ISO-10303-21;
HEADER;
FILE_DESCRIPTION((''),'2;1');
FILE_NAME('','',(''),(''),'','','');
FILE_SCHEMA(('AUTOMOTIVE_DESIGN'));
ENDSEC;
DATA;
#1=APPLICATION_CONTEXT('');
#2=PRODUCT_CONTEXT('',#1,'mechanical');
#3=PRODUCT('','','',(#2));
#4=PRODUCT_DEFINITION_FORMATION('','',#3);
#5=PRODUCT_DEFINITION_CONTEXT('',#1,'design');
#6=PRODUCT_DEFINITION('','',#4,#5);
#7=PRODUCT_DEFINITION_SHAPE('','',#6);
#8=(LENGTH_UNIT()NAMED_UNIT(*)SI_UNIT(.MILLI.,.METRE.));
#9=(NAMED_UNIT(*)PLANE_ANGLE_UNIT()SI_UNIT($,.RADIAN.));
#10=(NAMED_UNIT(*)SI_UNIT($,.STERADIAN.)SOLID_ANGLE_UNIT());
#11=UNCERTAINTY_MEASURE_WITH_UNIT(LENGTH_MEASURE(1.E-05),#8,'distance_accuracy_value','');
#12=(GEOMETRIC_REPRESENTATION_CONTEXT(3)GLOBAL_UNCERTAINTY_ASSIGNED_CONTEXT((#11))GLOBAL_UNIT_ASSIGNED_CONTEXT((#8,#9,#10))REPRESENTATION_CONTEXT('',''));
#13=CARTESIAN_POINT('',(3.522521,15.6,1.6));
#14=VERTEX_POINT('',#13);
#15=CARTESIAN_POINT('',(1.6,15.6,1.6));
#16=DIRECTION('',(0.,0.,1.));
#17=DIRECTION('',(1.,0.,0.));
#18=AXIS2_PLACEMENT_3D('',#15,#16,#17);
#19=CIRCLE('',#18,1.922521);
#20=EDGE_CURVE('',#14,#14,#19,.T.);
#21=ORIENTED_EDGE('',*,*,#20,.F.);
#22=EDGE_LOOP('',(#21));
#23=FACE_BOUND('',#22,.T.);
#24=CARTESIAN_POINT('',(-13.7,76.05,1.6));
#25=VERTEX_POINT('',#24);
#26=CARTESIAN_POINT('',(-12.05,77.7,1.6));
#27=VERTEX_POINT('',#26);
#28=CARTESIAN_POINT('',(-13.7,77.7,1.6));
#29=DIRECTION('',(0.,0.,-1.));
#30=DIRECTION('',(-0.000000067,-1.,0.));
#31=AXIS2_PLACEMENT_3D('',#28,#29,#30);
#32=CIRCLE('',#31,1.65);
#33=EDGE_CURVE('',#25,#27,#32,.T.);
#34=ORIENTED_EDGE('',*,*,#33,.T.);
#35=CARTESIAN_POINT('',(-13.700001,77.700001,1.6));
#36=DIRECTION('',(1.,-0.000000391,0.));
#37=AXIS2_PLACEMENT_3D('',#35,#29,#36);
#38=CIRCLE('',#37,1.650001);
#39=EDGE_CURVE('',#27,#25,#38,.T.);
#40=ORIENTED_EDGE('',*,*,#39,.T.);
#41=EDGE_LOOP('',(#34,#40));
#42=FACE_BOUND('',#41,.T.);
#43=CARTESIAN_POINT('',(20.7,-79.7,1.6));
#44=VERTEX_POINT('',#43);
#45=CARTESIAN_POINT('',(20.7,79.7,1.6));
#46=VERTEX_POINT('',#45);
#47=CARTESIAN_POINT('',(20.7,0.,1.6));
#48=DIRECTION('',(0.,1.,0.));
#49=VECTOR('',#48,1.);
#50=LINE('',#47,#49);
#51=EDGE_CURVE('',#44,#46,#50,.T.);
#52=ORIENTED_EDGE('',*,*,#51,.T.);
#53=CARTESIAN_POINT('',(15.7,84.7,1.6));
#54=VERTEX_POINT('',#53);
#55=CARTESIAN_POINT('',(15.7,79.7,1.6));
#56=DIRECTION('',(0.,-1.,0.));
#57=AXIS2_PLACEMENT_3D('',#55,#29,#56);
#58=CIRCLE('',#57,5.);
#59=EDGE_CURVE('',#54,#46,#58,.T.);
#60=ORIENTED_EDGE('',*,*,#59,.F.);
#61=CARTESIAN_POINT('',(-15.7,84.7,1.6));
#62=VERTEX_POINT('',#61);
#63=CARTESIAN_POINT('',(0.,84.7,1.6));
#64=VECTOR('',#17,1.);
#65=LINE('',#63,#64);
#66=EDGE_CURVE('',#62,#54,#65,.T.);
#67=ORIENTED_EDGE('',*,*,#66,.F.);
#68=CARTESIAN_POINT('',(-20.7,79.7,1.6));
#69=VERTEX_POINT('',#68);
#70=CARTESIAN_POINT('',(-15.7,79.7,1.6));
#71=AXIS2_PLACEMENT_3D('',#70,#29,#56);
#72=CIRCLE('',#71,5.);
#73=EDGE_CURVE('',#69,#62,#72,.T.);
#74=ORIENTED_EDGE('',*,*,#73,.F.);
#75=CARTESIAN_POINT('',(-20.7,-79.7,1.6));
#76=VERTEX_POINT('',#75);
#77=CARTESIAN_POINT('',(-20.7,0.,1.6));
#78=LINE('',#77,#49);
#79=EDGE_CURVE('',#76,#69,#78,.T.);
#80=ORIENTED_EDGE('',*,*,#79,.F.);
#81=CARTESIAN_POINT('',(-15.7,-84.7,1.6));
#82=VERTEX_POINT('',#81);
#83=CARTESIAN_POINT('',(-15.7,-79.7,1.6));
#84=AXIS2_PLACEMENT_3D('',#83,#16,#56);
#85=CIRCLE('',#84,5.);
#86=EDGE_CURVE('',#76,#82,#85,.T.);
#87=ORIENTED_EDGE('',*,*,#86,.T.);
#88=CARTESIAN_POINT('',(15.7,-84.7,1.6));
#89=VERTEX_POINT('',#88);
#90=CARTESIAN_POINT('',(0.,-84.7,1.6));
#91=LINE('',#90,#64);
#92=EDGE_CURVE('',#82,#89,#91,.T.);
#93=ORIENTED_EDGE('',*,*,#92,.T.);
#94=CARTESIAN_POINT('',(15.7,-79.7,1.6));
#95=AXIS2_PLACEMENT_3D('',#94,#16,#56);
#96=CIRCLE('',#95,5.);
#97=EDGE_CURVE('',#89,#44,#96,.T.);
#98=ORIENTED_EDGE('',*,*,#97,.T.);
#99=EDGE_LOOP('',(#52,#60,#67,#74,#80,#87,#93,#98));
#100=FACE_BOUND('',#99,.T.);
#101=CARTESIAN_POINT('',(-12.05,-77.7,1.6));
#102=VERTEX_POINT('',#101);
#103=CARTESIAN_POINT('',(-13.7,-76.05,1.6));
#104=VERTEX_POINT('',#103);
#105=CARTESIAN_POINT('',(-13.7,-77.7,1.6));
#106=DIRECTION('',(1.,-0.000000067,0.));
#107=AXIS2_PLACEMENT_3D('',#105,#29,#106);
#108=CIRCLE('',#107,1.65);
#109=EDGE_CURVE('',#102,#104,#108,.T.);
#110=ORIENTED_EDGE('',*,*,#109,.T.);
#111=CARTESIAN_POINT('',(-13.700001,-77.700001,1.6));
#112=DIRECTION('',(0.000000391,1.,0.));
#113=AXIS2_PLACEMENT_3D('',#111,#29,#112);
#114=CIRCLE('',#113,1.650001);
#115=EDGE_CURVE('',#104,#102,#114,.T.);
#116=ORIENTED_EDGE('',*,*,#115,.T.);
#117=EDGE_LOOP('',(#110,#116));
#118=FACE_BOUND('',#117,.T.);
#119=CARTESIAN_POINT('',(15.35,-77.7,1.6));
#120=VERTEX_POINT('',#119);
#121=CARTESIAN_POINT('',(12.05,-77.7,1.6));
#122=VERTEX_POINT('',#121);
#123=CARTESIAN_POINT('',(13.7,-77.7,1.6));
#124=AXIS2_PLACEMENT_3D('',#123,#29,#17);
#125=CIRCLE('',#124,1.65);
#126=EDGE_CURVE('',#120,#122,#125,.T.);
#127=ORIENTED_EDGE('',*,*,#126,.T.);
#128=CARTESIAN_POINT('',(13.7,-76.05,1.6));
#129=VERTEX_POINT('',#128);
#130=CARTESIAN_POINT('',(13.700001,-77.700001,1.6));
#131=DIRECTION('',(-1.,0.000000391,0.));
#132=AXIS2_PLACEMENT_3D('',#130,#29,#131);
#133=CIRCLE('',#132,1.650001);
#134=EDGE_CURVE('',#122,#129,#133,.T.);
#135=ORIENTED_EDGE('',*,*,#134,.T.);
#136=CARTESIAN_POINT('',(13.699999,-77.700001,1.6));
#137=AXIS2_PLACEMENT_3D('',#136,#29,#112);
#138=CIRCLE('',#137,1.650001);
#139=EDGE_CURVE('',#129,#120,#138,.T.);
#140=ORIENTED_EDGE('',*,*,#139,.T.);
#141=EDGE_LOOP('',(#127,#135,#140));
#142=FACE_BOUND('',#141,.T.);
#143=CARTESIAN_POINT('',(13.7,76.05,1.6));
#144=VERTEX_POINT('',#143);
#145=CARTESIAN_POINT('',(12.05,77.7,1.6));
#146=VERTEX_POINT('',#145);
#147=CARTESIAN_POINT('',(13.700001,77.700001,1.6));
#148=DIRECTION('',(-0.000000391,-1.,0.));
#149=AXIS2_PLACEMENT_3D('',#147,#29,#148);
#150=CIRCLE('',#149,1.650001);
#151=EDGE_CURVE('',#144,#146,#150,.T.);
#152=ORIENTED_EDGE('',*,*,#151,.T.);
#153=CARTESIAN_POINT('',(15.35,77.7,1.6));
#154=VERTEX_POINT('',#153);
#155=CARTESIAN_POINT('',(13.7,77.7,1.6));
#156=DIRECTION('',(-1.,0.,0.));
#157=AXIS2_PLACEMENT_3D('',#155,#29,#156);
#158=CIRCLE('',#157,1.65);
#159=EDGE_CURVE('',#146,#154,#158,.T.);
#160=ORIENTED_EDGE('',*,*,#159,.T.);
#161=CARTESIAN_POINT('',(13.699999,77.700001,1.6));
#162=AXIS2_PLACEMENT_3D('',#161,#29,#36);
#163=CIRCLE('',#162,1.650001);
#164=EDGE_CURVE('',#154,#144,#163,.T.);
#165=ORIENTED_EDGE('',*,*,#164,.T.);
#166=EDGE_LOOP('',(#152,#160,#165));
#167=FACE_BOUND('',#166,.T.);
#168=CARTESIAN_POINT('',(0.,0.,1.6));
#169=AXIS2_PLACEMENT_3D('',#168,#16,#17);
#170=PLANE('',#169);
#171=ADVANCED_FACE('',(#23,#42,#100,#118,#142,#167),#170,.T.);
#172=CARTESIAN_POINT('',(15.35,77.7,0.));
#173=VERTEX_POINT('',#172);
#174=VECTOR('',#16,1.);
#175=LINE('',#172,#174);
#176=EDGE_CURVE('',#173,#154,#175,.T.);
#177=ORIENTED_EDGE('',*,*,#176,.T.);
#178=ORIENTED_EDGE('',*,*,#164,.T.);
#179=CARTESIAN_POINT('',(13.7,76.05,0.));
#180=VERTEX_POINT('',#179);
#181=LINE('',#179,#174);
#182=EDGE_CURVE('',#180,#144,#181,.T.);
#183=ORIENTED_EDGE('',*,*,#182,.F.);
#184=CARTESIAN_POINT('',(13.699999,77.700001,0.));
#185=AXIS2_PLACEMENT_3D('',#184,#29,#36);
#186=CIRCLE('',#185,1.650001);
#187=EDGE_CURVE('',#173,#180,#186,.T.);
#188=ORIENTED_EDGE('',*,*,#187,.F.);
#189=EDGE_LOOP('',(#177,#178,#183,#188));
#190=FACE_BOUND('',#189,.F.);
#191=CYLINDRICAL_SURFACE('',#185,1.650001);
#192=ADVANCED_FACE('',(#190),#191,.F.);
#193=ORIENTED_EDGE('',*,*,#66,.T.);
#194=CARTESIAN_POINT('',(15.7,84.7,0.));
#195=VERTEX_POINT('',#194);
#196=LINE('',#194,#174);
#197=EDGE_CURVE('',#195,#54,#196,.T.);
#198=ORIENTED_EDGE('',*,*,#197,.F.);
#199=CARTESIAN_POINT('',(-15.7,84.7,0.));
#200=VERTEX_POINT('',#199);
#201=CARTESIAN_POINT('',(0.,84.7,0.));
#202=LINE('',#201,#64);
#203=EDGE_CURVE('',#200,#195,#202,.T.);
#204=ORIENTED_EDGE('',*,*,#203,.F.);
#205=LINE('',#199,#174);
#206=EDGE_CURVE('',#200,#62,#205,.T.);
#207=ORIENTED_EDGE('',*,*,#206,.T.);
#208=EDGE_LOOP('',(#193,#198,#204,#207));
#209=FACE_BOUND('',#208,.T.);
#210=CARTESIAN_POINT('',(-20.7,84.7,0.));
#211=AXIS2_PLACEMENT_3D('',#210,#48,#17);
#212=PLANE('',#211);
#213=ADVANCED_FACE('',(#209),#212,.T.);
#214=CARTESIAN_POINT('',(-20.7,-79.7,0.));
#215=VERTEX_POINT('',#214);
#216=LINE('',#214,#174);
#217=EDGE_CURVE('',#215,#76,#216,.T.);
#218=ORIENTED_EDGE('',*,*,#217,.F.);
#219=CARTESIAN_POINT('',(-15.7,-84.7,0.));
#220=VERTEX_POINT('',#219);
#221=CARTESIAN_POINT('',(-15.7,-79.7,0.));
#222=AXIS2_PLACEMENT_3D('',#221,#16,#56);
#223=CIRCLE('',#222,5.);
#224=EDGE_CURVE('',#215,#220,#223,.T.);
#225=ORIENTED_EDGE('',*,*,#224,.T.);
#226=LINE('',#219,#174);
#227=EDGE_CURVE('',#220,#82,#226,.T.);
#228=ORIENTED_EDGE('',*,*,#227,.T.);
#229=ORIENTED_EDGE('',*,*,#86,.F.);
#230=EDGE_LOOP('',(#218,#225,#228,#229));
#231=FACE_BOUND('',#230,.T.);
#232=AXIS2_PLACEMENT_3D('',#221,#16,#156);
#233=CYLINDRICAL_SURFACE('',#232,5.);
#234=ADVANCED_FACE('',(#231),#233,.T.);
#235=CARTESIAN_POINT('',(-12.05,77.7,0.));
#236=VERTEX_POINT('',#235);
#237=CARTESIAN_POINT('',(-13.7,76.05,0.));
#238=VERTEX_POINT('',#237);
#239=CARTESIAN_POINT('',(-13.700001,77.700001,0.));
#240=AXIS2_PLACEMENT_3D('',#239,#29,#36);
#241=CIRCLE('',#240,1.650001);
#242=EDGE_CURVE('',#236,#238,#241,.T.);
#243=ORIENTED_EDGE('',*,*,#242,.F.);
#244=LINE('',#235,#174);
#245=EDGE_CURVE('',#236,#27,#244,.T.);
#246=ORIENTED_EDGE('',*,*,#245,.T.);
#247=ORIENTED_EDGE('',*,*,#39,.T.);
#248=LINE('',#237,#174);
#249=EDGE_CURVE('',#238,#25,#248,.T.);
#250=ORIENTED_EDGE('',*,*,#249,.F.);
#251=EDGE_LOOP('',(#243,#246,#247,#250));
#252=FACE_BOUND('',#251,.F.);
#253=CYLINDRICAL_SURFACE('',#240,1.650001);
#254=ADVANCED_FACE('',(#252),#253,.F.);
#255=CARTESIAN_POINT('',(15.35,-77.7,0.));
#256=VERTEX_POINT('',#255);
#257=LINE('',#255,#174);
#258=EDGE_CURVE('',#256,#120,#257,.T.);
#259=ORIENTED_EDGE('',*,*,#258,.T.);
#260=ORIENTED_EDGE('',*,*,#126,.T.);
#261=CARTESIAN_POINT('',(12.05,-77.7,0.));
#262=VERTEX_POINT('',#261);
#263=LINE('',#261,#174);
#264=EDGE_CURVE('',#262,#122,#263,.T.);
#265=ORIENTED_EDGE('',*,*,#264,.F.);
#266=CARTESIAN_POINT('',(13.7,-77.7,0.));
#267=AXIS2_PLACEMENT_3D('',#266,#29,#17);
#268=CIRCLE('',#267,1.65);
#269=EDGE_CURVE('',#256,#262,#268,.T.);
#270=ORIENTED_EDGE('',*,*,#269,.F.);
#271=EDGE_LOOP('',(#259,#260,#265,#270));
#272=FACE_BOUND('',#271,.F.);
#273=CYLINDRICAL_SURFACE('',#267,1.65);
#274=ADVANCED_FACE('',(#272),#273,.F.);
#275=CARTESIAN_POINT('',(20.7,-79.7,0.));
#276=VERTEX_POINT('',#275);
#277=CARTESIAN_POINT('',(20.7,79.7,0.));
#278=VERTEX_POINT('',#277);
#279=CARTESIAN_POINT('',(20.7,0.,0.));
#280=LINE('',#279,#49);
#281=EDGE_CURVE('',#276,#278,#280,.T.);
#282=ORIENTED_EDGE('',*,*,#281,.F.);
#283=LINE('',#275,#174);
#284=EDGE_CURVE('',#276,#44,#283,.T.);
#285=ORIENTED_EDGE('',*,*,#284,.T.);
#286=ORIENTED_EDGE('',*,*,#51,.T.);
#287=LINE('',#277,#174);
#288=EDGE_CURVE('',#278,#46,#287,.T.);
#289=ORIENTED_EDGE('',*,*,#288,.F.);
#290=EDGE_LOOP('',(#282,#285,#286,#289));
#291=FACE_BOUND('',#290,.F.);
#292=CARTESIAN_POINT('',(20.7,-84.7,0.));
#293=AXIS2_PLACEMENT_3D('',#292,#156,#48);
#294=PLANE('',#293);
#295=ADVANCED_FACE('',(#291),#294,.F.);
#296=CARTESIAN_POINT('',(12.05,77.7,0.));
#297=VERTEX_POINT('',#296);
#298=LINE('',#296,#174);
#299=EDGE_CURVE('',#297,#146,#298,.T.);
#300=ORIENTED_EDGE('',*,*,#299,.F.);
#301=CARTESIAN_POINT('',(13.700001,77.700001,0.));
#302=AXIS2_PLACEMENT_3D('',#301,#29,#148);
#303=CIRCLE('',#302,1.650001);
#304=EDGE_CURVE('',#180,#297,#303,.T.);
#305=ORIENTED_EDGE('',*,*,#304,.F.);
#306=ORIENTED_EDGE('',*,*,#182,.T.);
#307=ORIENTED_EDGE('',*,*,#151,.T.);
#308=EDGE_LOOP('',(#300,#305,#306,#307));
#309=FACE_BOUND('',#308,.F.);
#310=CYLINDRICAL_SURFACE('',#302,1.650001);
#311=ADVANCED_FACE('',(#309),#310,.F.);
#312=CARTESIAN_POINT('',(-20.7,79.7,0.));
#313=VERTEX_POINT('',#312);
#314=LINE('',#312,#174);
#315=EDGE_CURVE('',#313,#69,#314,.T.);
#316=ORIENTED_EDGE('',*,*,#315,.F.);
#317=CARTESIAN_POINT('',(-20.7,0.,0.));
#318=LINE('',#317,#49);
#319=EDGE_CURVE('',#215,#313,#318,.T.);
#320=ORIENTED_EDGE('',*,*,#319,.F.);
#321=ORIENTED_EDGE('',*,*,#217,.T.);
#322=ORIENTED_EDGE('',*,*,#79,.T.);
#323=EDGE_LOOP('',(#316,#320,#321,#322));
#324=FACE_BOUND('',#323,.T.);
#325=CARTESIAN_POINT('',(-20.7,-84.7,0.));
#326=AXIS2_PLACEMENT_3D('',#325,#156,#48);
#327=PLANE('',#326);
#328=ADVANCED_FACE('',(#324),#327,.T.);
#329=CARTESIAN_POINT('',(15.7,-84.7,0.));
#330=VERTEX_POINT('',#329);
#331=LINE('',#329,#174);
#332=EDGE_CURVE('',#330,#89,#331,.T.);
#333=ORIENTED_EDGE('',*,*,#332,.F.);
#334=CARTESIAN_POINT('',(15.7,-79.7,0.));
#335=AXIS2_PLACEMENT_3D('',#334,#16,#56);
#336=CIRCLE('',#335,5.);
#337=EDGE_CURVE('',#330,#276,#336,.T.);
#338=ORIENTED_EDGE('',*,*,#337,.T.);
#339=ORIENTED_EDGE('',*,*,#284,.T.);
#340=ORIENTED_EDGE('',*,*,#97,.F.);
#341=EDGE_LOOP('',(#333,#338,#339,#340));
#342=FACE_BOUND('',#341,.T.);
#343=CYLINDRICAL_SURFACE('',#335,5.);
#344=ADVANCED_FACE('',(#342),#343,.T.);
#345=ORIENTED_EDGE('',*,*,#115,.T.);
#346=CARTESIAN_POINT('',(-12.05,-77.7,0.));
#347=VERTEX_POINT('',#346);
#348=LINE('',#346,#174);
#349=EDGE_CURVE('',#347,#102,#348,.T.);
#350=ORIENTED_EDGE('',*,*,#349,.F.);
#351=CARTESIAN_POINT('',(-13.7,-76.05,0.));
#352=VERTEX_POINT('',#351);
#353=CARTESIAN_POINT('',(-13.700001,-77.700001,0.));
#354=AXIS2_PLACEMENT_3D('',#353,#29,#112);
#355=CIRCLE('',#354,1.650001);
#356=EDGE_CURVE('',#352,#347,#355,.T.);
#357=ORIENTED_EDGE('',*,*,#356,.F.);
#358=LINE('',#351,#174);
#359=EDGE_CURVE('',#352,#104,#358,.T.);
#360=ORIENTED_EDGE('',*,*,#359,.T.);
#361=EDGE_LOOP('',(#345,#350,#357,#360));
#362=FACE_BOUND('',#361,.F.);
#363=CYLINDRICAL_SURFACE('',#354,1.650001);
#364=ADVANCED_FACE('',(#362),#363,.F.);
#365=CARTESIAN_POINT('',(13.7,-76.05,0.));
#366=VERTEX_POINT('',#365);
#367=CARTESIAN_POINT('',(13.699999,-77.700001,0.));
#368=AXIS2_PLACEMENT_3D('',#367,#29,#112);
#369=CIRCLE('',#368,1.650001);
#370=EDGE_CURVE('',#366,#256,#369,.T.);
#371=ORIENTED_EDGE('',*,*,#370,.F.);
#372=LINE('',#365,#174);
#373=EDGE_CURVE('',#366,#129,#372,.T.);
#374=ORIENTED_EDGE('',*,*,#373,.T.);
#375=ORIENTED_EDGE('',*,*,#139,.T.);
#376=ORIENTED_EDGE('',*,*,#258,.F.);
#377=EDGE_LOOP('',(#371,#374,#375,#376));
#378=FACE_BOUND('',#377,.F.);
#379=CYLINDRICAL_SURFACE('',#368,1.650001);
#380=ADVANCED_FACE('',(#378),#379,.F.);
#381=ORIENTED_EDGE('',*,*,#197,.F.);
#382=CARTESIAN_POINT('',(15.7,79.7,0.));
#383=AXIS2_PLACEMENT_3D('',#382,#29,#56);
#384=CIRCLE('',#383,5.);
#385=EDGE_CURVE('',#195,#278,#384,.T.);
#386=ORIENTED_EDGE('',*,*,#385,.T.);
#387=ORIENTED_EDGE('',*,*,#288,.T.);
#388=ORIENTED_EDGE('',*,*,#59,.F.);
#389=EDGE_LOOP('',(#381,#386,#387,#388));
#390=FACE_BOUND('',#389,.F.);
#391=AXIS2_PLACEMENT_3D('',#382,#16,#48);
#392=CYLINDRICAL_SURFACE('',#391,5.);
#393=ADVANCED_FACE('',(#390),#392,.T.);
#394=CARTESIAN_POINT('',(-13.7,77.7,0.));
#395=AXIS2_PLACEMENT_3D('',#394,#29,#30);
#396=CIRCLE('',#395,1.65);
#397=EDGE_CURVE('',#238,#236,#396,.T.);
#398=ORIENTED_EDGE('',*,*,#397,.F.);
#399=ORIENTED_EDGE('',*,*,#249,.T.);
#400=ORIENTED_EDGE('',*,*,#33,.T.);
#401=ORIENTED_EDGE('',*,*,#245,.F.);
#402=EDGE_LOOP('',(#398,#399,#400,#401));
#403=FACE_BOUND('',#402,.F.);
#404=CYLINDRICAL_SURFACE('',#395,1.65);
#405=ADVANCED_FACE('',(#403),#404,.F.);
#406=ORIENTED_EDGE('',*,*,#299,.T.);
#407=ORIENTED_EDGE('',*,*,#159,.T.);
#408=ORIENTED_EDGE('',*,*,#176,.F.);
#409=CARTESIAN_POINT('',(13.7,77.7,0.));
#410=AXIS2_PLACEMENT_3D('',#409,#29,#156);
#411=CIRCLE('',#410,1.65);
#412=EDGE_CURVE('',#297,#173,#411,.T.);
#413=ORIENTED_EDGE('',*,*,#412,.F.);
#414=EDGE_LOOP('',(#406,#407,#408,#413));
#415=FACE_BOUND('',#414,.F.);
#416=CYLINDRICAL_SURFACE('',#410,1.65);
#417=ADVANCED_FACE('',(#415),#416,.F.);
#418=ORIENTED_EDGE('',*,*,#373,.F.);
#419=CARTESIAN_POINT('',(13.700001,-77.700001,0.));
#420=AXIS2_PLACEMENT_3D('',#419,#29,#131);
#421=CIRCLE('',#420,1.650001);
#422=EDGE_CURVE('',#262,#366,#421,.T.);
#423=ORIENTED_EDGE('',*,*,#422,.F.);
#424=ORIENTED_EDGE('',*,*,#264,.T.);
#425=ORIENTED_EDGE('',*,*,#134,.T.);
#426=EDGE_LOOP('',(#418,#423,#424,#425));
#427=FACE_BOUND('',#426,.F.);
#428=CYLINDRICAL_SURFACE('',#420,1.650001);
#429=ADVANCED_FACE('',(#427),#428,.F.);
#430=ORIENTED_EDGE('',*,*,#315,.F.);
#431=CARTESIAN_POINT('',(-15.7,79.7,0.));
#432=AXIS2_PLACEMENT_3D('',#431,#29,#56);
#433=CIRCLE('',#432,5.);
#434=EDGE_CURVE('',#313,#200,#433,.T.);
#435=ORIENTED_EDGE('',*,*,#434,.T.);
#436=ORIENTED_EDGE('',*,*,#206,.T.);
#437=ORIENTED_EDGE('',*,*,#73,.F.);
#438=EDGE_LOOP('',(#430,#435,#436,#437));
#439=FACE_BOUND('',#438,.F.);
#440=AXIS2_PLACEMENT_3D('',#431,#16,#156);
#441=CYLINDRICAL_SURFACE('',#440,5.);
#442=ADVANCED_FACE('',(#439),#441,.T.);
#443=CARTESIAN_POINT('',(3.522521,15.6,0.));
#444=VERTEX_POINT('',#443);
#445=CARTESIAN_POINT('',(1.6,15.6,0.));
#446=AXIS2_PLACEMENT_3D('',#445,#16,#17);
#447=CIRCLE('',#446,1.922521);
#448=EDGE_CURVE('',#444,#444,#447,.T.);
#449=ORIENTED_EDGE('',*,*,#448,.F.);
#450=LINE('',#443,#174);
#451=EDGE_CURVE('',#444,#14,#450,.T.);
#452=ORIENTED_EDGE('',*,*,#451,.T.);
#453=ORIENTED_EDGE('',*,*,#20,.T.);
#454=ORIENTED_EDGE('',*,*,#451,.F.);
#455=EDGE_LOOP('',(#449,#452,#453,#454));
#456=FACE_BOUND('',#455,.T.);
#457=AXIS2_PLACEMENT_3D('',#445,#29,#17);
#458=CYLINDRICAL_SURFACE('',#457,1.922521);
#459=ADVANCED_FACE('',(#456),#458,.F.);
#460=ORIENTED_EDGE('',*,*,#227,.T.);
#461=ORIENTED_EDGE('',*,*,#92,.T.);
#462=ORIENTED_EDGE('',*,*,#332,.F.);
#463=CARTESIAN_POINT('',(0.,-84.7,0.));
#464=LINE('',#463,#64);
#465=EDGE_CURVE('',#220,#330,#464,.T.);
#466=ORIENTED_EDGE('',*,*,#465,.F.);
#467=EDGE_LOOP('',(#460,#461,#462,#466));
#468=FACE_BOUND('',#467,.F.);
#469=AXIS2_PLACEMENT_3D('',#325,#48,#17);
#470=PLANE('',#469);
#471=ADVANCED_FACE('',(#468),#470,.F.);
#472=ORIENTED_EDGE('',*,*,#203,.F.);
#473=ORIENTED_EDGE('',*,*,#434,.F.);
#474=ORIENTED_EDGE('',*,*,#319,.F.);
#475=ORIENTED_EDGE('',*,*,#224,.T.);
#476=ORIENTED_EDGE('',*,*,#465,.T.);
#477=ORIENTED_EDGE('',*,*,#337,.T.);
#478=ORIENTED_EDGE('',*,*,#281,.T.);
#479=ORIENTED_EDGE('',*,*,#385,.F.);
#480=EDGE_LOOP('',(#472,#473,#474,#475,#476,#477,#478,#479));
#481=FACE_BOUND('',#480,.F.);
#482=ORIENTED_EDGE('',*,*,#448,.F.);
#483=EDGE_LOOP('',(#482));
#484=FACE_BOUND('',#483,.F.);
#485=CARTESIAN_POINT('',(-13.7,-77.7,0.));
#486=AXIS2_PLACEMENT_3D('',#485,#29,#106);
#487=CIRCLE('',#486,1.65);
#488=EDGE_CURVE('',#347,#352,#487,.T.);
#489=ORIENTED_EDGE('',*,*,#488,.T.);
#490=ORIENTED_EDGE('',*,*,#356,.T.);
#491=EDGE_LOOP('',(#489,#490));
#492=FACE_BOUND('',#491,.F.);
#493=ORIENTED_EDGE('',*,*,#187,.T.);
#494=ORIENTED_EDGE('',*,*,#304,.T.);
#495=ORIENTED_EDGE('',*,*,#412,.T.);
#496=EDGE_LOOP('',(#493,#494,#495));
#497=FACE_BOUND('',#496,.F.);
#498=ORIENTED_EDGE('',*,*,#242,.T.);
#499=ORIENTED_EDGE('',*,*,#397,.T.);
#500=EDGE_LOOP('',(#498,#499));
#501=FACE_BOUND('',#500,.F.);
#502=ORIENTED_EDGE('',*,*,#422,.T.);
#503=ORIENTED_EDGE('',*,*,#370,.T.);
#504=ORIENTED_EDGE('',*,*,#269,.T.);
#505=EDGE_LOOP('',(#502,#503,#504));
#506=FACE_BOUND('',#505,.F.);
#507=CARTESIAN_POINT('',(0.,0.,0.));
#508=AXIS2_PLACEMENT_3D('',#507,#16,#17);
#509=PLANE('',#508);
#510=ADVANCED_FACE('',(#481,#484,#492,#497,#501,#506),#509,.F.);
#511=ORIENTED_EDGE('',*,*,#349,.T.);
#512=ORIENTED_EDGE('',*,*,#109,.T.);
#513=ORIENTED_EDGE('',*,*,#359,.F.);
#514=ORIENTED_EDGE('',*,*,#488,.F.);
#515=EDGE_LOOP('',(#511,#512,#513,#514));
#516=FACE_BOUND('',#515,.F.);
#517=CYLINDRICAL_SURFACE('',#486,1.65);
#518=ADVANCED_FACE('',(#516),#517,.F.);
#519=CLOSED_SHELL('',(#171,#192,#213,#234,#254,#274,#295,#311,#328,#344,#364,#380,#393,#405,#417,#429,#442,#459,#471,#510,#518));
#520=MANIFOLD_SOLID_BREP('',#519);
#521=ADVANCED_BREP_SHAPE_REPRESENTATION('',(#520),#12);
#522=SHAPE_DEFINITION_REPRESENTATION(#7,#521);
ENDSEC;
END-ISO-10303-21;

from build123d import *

# Parameters (mm, degrees)
F0_W     = 41.4
F0_H     = 169.4
F0_R     = 1.922521
F1_DEPTH = 1.6
F2_R     = 5


with BuildPart() as f1:
    # F0 (on Top) → F1 (new body)
    with BuildSketch(Plane.XY):
        Rectangle(F0_W, F0_H)
        with BuildLine():
            ThreePointArc((-13.7, 76.05), (-14.866726, 78.866726), (-12.05, 77.7))
            Line((-12.05, 77.7), (12.05, 77.7))
            ThreePointArc((12.05, 77.7), (13.7, 79.35), (15.35, 77.7))
            ThreePointArc((15.35, 77.7), (14.866726, 76.533274), (13.7, 76.05))
            Line((13.7, 76.05), (13.7, -76.05))
            ThreePointArc((13.7, -76.05), (14.866726, -76.533274), (15.35, -77.7))
            ThreePointArc((15.35, -77.7), (13.7, -79.35), (12.05, -77.7))
            Line((12.05, -77.7), (-12.05, -77.7))
            ThreePointArc((-12.05, -77.7), (-14.866726, -78.866726), (-13.7, -76.05))
            Line((-13.7, -76.05), (-13.7, 76.05))
        make_face(mode=Mode.SUBTRACT)
        with BuildLine():
            Line((12.05, 77.7), (-12.05, 77.7))
            ThreePointArc((-12.05, 77.7), (-12.533274, 76.533274), (-13.7, 76.05))
            Line((-13.7, 76.05), (-13.7, -76.05))
            ThreePointArc((-13.7, -76.05), (-12.533274, -76.533274), (-12.05, -77.7))
            Line((-12.05, -77.7), (12.05, -77.7))
            ThreePointArc((12.05, -77.7), (12.533274, -76.533274), (13.7, -76.05))
            Line((13.7, -76.05), (13.7, 76.05))
            ThreePointArc((13.7, 76.05), (12.533274, 76.533274), (12.05, 77.7))
        make_face()
        with Locations((1.6, 15.6)):
            Circle(F0_R, mode=Mode.SUBTRACT)
    extrude(amount=F1_DEPTH)

    # F2
    f2_edges = [f1.edges().sort_by_distance(p)[0] for p in [
        (-20.7, -84.7, 0.8),
        (20.7, -84.7, 0.8),
        (20.7, 84.7, 0.8),
        (-20.7, 84.7, 0.8),
    ]]
    fillet(f2_edges, radius=F2_R)


solid = f1.part
